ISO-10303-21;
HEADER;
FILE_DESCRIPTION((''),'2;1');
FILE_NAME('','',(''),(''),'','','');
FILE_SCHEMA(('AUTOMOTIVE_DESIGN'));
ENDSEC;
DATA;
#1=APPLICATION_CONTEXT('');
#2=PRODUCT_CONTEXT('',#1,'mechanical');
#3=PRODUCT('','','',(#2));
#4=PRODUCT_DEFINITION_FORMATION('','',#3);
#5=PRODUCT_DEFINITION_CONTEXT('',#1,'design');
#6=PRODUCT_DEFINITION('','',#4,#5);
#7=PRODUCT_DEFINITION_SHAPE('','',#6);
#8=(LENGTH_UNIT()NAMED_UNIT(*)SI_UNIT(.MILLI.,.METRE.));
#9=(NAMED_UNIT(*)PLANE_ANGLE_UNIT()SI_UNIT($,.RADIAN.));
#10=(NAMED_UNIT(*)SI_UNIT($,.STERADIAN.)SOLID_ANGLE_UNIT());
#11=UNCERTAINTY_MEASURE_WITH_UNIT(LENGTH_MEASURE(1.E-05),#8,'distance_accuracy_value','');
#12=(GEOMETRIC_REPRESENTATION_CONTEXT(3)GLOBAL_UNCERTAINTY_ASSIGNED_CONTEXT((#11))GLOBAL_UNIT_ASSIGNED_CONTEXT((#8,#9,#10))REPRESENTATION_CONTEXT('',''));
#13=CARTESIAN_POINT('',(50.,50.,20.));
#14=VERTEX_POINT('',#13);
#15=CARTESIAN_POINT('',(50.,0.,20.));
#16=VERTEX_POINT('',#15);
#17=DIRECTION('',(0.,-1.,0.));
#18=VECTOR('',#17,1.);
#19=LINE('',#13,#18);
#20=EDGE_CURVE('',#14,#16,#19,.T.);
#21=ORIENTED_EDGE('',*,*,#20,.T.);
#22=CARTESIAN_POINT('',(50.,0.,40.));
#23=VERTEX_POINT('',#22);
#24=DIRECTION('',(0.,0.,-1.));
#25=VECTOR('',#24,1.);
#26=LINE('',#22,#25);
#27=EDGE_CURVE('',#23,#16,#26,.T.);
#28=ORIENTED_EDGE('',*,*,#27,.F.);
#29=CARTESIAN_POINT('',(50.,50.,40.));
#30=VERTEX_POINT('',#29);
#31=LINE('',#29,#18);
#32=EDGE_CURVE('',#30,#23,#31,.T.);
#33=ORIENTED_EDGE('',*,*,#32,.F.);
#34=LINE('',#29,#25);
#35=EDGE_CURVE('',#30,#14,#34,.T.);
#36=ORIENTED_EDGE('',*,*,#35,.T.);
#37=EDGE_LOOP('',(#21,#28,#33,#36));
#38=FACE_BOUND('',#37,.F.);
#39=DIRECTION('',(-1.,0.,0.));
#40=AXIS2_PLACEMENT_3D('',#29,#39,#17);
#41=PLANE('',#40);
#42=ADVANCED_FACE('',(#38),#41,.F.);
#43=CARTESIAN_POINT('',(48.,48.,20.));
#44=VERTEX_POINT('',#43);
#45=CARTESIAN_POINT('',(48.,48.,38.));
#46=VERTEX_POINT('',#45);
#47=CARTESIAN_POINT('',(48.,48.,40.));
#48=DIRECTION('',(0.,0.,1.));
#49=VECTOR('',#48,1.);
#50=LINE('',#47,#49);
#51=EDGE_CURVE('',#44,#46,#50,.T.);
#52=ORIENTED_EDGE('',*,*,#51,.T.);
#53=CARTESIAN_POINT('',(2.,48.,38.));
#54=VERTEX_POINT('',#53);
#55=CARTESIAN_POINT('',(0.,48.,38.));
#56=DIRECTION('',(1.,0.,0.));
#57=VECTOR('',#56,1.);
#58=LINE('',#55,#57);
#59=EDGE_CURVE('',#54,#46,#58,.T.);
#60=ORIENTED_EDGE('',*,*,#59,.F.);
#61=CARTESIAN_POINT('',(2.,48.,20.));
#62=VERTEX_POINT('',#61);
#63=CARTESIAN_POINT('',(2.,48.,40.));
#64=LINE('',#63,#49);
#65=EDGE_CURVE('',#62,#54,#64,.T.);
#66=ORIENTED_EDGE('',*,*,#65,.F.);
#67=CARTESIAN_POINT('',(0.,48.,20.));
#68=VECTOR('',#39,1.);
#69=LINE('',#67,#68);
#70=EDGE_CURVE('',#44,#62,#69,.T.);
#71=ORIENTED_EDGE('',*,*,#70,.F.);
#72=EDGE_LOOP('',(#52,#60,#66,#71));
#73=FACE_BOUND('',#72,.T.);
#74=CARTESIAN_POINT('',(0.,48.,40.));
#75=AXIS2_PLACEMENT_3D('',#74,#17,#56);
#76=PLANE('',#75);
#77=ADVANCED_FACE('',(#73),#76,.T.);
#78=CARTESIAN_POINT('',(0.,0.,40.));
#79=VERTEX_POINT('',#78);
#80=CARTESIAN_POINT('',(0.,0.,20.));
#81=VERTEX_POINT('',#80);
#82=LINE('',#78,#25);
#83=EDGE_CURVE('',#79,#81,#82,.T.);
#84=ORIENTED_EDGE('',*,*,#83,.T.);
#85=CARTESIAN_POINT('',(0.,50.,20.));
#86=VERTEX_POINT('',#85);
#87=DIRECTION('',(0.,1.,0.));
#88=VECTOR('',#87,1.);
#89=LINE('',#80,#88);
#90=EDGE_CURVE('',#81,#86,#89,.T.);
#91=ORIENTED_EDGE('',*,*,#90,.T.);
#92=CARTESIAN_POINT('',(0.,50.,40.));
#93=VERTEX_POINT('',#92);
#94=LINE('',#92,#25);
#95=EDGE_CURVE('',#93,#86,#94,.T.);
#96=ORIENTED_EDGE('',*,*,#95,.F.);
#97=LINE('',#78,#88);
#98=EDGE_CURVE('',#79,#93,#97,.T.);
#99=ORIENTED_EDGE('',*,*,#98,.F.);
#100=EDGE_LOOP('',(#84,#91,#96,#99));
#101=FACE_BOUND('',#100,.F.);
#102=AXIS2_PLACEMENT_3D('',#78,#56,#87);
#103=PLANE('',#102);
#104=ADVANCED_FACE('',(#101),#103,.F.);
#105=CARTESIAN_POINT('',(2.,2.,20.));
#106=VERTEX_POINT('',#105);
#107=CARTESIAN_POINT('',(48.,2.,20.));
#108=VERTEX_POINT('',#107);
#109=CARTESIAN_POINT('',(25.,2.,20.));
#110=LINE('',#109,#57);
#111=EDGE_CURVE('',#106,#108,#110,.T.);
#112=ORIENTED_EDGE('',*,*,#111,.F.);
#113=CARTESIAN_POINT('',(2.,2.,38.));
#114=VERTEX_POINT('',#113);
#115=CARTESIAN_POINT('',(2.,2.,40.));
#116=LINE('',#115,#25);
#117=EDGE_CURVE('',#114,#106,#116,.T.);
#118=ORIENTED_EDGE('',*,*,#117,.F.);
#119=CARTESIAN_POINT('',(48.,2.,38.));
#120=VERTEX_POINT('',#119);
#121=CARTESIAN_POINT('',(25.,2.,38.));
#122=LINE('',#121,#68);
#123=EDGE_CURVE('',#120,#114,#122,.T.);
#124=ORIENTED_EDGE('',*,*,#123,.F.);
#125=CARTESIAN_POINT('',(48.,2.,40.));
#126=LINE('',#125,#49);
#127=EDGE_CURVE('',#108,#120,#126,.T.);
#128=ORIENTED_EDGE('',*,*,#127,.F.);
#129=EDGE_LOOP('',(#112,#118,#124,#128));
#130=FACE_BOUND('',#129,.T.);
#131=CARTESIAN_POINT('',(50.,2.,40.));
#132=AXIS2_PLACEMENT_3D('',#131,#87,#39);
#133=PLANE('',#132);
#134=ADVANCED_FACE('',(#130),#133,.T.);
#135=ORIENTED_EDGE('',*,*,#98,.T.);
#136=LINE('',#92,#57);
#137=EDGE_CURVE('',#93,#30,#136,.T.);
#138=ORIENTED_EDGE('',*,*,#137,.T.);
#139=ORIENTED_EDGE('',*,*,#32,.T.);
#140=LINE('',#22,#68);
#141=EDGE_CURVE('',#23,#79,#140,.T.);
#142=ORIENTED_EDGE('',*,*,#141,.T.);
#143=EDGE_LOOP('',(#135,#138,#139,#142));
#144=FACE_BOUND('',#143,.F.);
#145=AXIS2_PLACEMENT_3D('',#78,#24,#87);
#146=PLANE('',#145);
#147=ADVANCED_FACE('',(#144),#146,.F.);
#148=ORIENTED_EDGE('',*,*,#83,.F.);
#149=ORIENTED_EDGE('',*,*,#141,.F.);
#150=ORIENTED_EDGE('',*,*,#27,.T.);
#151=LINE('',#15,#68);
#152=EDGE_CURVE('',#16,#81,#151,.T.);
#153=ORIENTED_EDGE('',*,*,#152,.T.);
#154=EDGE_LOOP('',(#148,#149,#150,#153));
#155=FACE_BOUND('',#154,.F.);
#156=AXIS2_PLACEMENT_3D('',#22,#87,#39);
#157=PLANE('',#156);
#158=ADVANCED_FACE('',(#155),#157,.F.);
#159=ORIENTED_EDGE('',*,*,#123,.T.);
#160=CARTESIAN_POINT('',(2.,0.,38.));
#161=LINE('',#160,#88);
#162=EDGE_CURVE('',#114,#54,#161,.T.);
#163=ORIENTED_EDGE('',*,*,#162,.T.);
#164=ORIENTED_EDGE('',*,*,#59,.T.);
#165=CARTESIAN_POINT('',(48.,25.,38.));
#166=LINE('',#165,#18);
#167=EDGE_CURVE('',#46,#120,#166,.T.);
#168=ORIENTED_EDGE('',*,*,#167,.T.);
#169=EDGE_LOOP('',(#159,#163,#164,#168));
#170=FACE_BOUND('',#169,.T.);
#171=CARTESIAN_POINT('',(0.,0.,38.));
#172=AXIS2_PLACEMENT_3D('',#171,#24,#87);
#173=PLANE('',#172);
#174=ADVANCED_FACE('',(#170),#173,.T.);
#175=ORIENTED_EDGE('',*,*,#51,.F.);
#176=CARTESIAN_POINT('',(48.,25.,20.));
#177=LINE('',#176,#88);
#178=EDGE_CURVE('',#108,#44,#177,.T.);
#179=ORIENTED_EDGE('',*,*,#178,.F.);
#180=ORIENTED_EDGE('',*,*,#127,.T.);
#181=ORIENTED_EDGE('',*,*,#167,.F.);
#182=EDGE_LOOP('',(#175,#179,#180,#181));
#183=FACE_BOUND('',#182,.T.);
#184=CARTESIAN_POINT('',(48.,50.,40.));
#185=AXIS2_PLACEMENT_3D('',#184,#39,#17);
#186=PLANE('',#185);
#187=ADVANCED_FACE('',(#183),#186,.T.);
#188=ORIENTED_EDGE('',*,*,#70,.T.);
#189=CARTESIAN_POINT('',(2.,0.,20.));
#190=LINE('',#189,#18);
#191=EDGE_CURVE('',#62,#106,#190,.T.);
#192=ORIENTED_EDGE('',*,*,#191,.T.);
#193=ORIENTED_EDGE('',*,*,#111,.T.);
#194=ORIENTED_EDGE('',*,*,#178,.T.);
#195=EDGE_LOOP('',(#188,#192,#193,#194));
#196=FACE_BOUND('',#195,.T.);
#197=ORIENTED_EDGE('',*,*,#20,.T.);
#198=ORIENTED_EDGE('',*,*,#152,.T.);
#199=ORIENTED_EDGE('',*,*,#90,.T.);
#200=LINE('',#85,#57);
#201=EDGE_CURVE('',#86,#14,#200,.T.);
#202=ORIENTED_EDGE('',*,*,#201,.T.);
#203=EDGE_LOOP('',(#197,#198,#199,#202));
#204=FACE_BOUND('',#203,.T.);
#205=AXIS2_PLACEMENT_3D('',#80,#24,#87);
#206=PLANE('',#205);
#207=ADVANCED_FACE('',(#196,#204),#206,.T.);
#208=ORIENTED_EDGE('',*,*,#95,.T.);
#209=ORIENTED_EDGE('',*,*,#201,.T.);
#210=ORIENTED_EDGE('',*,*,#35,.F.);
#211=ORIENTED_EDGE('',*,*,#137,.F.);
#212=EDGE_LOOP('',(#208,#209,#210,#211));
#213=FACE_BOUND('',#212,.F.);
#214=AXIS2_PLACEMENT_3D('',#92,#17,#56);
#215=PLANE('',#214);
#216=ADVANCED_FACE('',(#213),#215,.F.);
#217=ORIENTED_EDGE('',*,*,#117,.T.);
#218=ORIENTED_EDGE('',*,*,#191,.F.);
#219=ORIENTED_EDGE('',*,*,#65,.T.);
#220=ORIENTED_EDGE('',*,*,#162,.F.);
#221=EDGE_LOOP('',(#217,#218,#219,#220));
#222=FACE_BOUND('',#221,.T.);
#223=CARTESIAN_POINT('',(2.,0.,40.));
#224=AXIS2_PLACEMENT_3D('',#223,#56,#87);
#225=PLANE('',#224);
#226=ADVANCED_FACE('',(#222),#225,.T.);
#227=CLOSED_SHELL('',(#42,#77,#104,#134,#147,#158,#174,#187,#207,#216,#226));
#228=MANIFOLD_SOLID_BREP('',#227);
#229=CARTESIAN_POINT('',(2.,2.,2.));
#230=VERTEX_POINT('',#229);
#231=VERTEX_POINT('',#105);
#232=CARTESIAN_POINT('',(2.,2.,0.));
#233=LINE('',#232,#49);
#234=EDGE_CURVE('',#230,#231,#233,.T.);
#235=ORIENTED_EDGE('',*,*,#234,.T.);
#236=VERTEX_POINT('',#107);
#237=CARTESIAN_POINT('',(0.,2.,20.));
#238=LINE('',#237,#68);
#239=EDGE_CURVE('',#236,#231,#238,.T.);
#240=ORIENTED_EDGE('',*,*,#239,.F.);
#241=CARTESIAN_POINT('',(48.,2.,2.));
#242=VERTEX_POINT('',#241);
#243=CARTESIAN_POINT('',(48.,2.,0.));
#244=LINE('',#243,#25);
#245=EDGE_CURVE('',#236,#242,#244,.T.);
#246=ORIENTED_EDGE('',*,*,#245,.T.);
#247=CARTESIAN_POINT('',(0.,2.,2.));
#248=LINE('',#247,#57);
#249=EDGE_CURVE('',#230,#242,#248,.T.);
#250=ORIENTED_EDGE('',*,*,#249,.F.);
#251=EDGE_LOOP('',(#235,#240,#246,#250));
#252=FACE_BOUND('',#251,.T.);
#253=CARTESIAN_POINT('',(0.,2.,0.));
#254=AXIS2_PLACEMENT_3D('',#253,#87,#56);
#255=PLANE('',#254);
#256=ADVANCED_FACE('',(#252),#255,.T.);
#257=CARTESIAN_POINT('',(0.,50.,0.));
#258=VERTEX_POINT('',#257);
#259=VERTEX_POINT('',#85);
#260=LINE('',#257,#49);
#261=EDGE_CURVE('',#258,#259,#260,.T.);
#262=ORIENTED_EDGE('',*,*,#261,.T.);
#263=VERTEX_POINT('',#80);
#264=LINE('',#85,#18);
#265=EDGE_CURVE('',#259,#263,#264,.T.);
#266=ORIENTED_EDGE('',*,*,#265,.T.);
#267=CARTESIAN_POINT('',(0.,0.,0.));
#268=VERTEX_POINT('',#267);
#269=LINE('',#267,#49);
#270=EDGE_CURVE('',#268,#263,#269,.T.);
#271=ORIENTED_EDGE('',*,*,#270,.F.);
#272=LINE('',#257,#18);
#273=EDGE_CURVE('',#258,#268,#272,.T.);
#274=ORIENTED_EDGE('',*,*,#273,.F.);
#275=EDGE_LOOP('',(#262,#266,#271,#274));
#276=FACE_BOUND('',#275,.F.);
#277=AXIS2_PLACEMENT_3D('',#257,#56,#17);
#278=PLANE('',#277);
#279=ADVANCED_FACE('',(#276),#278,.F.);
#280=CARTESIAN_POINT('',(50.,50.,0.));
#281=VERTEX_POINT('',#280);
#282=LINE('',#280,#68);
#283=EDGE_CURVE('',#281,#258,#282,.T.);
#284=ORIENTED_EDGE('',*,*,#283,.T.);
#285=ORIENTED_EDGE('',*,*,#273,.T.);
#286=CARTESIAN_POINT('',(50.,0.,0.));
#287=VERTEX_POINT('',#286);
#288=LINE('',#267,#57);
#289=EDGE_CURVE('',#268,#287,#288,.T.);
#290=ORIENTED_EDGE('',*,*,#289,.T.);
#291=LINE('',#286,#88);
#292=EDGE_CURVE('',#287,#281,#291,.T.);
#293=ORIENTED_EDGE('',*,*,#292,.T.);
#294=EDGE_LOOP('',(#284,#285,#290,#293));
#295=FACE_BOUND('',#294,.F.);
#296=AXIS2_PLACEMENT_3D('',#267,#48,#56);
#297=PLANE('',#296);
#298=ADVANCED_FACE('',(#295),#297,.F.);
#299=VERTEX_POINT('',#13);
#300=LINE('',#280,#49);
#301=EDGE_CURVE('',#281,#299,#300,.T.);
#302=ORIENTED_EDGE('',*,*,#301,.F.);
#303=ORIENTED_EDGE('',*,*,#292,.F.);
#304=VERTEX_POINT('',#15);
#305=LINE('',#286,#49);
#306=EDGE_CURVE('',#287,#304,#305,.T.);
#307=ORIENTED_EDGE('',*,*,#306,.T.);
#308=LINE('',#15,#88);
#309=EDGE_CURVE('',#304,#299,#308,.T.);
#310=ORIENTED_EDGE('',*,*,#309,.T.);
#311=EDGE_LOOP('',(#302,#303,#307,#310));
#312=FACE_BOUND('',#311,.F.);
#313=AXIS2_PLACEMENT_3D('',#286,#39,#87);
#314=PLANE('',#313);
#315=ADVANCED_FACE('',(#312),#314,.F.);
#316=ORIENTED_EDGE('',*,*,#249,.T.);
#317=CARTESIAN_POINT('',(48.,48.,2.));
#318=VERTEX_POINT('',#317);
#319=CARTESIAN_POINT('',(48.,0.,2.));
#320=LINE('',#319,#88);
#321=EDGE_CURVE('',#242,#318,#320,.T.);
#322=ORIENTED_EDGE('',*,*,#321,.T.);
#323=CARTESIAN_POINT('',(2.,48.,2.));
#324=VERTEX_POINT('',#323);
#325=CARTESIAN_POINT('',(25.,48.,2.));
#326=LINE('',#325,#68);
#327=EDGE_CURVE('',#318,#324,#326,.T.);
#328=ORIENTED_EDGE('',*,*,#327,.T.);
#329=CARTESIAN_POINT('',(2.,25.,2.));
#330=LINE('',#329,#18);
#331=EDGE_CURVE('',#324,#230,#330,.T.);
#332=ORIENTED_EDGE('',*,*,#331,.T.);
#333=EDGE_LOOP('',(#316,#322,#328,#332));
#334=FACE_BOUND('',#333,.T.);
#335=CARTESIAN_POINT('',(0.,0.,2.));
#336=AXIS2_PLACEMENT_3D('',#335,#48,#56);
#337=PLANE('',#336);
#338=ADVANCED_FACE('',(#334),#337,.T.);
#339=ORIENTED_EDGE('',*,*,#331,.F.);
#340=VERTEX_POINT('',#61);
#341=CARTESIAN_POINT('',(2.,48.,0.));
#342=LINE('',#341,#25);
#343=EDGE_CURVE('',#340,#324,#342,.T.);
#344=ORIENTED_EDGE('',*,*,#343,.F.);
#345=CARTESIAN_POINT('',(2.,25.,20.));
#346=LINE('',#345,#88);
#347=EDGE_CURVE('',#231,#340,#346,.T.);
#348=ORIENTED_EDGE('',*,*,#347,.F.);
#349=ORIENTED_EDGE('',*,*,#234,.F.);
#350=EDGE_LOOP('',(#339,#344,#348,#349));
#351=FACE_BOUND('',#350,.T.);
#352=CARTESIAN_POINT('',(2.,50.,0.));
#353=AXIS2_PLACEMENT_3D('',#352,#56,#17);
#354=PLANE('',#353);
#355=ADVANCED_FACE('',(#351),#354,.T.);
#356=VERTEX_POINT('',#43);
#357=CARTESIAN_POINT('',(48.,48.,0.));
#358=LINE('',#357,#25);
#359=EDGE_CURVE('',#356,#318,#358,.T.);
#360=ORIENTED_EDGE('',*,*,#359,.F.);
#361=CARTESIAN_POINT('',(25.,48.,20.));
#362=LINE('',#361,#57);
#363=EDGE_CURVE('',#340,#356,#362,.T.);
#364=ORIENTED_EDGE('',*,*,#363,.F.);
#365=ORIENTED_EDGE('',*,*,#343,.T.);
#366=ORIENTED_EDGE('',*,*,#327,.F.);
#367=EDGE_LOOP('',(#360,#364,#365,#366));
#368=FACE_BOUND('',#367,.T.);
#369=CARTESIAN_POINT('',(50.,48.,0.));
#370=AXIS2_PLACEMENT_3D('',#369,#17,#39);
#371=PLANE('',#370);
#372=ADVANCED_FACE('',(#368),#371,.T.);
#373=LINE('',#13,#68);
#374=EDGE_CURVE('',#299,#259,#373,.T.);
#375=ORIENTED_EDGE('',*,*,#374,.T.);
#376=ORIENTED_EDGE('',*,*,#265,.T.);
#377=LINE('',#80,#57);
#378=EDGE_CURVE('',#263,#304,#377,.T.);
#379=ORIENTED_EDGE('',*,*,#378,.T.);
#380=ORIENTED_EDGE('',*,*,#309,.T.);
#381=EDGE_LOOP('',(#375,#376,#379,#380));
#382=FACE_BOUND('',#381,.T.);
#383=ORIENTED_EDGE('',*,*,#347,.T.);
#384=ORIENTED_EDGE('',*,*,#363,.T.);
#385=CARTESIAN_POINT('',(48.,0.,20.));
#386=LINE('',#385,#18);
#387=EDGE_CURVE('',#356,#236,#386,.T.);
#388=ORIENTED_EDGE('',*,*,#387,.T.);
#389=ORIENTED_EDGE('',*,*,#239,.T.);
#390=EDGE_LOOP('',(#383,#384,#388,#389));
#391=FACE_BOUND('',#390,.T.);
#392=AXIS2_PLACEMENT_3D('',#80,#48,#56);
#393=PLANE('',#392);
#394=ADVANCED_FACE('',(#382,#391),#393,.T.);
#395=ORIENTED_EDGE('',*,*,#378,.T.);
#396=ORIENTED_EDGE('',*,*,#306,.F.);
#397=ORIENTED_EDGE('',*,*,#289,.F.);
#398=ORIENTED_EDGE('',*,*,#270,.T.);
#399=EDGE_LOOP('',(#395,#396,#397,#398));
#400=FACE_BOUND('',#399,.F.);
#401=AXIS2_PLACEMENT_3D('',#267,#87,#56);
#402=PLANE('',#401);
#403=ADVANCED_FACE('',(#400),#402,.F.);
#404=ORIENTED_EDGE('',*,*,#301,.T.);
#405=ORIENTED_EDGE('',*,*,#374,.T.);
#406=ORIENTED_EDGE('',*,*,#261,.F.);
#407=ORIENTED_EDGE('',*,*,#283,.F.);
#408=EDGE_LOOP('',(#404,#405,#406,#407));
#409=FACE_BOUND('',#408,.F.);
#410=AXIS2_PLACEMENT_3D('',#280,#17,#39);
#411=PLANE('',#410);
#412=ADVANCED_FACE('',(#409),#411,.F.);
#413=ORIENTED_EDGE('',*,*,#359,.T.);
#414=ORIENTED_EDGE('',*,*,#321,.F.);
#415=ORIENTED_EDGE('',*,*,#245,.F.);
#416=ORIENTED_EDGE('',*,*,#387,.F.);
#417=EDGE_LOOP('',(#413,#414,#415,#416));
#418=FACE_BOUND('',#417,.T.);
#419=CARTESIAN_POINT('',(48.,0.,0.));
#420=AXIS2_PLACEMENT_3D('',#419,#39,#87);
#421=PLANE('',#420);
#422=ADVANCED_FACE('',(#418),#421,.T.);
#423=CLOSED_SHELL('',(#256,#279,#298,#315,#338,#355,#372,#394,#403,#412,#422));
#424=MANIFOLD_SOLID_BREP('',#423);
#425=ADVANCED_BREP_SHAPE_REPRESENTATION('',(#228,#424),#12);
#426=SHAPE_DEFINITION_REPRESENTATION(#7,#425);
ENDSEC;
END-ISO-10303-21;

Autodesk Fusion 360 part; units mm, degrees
sketch "box width" plane through (0, 0, 0) normal (0, 0, 1) x (1, 0, 0) in component "box bottom"
  line L0 (0, 0) -> (50, 0)
  line L1 (50, 0) -> (50, 50)
  line L2 (50, 50) -> (0, 50)
  line L3 (0, 50) -> (0, 0)
  dimension "d3" = 50
  dimension "d4" = 50
extrude "Extrude1" add sketch "box width" along normal blind 20 makes body 1 in component "box bottom"
shell "Shell1" thickness 2 removed faces 1 at (16.6667, 33.3333, 20) on bodies 1 in component "box bottom"
sketch "box width (2)" plane through (0, 0, 0) normal (0, 0, 1) x (1, 0, 0) in component "box top"
  line L0 (0, 0) -> (50, 0)
  line L1 (50, 0) -> (50, 50)
  line L2 (50, 50) -> (0, 50)
  line L3 (0, 50) -> (0, 0)
  dimension "d3_1" = 50
  dimension "d4_1" = 50
extrude "Extrude1'" add sketch "box width (2)" along normal blind 20 separate body makes body 2 in component "box top"
shell "Shell1'" thickness 2 removed faces 1 at (16.6667, 33.3333, 20) on bodies 2 in component "box top"
component "box bottom" placed x (1, 0, 0) y (0, 1, 0) z (0, 0, 1) at (0, 0, 0)
component "box top" placed x (0, 1, 0) y (1, 0, 0) z (0, 0, -1) at (0, 0, 40)
equation "BoxWidth = 50 mm"
equation "BoxHeight = 40 mm"
equation "d3 = BoxWidth"
equation "d4 = BoxWidth"
equation "d5 = BoxHeight / 2"
equation "WallThickness = 2 mm"
equation "d3_1 = BoxWidth"
equation "d4_1 = BoxWidth"
equation "d5_1 = BoxHeight / 2"
equation "WallThickness_1 = 2 mm"
